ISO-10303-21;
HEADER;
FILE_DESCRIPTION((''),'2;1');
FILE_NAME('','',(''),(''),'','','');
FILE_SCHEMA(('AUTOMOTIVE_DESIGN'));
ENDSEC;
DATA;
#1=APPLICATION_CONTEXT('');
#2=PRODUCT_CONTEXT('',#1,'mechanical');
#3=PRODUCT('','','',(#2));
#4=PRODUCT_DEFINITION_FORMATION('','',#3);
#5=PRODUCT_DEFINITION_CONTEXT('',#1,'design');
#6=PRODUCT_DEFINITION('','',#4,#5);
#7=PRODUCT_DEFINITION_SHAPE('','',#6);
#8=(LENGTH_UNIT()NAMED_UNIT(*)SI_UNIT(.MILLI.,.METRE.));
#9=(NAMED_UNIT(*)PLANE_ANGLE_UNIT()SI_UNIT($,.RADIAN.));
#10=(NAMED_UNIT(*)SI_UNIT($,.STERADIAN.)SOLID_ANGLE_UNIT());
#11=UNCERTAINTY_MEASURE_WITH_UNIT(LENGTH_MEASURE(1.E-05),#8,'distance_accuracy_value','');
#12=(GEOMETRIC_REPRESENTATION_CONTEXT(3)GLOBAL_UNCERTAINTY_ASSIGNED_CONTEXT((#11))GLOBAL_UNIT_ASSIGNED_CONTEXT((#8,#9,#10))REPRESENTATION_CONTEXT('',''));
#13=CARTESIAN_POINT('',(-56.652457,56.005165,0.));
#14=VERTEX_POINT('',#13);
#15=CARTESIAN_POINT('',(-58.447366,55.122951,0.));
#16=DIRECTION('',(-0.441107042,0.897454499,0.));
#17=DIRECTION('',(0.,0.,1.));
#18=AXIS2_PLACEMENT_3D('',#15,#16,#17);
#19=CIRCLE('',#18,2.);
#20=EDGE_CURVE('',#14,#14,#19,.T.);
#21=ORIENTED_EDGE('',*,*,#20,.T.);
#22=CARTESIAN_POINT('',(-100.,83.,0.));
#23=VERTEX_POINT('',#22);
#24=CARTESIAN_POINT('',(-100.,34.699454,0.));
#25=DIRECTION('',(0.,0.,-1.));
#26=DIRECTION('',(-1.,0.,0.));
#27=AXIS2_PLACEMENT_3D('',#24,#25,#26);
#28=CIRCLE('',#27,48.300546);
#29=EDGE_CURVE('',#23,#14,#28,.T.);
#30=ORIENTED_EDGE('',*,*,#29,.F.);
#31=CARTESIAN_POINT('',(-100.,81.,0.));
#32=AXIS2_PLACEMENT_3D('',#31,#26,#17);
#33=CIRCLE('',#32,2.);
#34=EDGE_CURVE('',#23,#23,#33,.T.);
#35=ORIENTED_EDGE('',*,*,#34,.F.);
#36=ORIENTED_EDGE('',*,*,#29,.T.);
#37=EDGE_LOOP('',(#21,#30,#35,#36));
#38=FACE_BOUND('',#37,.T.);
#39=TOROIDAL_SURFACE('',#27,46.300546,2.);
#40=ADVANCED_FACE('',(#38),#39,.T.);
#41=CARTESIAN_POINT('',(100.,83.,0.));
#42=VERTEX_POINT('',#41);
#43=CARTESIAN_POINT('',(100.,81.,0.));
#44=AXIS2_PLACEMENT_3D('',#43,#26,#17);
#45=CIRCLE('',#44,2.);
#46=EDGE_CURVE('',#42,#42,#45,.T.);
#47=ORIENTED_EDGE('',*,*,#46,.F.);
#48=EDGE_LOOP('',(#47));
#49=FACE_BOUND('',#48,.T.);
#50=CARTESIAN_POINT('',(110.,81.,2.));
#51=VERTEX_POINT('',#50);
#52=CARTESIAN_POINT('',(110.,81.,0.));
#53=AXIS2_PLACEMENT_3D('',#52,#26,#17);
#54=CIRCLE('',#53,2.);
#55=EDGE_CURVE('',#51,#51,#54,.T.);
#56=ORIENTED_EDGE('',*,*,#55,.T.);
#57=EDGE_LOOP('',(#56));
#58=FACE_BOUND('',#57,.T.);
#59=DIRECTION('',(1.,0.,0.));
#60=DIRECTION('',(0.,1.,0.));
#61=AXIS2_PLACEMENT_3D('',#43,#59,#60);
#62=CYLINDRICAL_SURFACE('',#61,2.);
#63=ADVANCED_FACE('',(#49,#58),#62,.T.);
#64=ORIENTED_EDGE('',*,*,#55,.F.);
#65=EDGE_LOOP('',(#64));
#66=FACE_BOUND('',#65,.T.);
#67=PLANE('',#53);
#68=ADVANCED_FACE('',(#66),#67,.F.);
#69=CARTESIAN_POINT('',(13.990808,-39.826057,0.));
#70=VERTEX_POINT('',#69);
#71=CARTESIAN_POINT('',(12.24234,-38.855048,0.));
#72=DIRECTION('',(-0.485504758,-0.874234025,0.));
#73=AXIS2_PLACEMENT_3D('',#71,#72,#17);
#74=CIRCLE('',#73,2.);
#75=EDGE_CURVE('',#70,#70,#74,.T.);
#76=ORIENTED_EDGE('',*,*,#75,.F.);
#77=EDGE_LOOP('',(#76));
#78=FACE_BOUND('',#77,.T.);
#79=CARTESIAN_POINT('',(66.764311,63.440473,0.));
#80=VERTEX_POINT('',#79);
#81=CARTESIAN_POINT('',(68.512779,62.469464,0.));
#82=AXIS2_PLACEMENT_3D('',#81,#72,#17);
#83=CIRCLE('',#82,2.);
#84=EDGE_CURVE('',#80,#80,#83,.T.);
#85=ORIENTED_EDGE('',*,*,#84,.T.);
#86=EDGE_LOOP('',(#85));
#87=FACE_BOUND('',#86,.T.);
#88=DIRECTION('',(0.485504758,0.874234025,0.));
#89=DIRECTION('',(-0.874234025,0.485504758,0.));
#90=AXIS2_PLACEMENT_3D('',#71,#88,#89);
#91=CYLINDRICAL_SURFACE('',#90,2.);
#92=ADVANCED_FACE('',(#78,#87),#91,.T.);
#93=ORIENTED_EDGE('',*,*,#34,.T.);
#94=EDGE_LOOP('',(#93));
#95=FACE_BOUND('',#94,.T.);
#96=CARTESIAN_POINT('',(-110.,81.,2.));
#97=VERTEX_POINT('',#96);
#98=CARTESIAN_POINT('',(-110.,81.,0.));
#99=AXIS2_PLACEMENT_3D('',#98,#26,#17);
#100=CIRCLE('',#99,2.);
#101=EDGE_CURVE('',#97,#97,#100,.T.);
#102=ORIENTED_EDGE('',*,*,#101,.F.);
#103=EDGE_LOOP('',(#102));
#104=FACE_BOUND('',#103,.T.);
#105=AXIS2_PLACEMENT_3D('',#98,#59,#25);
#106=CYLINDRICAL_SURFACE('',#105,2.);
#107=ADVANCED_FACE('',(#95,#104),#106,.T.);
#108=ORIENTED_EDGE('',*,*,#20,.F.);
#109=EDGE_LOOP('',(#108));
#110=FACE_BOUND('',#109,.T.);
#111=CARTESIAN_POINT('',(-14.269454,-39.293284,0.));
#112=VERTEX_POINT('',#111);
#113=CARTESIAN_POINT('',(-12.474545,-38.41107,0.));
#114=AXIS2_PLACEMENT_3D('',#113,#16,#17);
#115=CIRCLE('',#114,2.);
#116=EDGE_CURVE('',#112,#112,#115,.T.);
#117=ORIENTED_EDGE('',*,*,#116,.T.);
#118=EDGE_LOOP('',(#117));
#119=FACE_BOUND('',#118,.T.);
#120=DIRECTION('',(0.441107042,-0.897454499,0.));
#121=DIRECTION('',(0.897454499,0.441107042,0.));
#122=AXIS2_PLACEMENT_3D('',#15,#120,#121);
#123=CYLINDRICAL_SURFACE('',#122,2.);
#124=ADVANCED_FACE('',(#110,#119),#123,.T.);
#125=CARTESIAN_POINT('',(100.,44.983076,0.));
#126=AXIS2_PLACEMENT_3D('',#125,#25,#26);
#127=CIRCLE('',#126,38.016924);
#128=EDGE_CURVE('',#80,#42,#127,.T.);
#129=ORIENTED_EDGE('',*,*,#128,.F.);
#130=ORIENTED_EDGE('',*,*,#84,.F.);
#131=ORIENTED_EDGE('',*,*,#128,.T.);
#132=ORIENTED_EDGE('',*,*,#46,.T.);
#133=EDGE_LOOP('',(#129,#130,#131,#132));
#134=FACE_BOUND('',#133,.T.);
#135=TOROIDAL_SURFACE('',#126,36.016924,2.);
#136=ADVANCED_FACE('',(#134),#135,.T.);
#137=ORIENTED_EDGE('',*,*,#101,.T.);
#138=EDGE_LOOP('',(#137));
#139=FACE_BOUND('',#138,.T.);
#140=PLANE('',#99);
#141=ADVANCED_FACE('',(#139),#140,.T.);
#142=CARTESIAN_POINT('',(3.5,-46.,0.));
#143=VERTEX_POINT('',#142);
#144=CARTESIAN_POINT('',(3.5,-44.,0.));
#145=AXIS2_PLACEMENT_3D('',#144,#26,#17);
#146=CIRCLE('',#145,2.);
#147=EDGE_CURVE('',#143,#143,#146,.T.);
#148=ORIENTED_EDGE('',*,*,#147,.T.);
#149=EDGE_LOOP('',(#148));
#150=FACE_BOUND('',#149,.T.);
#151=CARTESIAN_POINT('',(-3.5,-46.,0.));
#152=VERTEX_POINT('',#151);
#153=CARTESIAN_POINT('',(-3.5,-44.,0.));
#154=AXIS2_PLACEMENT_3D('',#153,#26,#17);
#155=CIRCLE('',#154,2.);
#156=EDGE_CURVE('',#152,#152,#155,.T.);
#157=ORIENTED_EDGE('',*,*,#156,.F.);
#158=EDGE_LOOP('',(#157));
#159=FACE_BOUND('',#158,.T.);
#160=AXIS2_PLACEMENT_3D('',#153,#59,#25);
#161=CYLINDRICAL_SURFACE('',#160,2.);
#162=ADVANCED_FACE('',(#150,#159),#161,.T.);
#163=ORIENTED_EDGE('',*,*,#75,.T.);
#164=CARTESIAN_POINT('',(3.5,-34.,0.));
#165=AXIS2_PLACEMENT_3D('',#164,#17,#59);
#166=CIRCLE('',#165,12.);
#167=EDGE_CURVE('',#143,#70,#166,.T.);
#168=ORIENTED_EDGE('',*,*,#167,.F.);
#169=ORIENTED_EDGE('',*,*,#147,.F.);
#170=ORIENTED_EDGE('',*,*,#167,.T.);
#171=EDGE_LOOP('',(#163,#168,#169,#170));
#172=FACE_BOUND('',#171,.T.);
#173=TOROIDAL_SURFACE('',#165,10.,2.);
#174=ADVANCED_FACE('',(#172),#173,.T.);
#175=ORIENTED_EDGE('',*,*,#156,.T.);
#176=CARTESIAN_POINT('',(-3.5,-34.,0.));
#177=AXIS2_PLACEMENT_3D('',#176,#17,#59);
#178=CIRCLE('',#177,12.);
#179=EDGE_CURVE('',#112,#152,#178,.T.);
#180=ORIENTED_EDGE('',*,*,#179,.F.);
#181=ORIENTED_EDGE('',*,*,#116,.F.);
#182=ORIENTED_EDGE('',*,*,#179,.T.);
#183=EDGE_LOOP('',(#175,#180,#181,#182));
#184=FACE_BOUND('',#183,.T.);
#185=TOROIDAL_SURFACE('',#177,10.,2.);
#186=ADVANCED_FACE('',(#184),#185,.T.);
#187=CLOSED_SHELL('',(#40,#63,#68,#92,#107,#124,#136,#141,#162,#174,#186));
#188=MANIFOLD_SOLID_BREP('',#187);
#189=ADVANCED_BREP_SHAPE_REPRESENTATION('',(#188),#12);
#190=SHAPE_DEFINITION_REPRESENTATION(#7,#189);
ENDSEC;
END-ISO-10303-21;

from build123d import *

# Parameters (mm, degrees)
SWEEP1_PROFILE_R = 2


with BuildPart() as part:
    # Sweep1: sweep along a path in Sketch1
    with BuildLine(Plane.XY) as sweep1_path:
        Line((-110, 81), (-100, 81))
        ThreePointArc((-100, 81), (-75.524282167, 74.001868719), (-58.447366281, 55.122950618))
        Line((-58.447366281, 55.122950618), (-12.474544991, -38.411070415))
        ThreePointArc((-12.474544991, -38.411070415), (-8.786269755, -42.4885424), (-3.5, -44))
        Line((-3.5, -44), (3.5, -44))
        ThreePointArc((3.5, -44), (8.571958407, -42.618308298), (12.242340246, -38.855047583))
        Line((12.242340246, -38.855047583), (68.512779326, 62.469463831))
        ThreePointArc((68.512779326, 62.469463831), (81.732365804, 76.023571456), (100, 81))
        Line((100, 81), (110, 81))
    # Sweep1 profile (on start of the path) → Sweep1 (sweep)
    with BuildSketch(Plane(origin=(-110, 81, 0), x_dir=(0, 0, 1), z_dir=(1, 0, 0))):
        Circle(SWEEP1_PROFILE_R)
    sweep(path=sweep1_path.line)


solid = part.part
